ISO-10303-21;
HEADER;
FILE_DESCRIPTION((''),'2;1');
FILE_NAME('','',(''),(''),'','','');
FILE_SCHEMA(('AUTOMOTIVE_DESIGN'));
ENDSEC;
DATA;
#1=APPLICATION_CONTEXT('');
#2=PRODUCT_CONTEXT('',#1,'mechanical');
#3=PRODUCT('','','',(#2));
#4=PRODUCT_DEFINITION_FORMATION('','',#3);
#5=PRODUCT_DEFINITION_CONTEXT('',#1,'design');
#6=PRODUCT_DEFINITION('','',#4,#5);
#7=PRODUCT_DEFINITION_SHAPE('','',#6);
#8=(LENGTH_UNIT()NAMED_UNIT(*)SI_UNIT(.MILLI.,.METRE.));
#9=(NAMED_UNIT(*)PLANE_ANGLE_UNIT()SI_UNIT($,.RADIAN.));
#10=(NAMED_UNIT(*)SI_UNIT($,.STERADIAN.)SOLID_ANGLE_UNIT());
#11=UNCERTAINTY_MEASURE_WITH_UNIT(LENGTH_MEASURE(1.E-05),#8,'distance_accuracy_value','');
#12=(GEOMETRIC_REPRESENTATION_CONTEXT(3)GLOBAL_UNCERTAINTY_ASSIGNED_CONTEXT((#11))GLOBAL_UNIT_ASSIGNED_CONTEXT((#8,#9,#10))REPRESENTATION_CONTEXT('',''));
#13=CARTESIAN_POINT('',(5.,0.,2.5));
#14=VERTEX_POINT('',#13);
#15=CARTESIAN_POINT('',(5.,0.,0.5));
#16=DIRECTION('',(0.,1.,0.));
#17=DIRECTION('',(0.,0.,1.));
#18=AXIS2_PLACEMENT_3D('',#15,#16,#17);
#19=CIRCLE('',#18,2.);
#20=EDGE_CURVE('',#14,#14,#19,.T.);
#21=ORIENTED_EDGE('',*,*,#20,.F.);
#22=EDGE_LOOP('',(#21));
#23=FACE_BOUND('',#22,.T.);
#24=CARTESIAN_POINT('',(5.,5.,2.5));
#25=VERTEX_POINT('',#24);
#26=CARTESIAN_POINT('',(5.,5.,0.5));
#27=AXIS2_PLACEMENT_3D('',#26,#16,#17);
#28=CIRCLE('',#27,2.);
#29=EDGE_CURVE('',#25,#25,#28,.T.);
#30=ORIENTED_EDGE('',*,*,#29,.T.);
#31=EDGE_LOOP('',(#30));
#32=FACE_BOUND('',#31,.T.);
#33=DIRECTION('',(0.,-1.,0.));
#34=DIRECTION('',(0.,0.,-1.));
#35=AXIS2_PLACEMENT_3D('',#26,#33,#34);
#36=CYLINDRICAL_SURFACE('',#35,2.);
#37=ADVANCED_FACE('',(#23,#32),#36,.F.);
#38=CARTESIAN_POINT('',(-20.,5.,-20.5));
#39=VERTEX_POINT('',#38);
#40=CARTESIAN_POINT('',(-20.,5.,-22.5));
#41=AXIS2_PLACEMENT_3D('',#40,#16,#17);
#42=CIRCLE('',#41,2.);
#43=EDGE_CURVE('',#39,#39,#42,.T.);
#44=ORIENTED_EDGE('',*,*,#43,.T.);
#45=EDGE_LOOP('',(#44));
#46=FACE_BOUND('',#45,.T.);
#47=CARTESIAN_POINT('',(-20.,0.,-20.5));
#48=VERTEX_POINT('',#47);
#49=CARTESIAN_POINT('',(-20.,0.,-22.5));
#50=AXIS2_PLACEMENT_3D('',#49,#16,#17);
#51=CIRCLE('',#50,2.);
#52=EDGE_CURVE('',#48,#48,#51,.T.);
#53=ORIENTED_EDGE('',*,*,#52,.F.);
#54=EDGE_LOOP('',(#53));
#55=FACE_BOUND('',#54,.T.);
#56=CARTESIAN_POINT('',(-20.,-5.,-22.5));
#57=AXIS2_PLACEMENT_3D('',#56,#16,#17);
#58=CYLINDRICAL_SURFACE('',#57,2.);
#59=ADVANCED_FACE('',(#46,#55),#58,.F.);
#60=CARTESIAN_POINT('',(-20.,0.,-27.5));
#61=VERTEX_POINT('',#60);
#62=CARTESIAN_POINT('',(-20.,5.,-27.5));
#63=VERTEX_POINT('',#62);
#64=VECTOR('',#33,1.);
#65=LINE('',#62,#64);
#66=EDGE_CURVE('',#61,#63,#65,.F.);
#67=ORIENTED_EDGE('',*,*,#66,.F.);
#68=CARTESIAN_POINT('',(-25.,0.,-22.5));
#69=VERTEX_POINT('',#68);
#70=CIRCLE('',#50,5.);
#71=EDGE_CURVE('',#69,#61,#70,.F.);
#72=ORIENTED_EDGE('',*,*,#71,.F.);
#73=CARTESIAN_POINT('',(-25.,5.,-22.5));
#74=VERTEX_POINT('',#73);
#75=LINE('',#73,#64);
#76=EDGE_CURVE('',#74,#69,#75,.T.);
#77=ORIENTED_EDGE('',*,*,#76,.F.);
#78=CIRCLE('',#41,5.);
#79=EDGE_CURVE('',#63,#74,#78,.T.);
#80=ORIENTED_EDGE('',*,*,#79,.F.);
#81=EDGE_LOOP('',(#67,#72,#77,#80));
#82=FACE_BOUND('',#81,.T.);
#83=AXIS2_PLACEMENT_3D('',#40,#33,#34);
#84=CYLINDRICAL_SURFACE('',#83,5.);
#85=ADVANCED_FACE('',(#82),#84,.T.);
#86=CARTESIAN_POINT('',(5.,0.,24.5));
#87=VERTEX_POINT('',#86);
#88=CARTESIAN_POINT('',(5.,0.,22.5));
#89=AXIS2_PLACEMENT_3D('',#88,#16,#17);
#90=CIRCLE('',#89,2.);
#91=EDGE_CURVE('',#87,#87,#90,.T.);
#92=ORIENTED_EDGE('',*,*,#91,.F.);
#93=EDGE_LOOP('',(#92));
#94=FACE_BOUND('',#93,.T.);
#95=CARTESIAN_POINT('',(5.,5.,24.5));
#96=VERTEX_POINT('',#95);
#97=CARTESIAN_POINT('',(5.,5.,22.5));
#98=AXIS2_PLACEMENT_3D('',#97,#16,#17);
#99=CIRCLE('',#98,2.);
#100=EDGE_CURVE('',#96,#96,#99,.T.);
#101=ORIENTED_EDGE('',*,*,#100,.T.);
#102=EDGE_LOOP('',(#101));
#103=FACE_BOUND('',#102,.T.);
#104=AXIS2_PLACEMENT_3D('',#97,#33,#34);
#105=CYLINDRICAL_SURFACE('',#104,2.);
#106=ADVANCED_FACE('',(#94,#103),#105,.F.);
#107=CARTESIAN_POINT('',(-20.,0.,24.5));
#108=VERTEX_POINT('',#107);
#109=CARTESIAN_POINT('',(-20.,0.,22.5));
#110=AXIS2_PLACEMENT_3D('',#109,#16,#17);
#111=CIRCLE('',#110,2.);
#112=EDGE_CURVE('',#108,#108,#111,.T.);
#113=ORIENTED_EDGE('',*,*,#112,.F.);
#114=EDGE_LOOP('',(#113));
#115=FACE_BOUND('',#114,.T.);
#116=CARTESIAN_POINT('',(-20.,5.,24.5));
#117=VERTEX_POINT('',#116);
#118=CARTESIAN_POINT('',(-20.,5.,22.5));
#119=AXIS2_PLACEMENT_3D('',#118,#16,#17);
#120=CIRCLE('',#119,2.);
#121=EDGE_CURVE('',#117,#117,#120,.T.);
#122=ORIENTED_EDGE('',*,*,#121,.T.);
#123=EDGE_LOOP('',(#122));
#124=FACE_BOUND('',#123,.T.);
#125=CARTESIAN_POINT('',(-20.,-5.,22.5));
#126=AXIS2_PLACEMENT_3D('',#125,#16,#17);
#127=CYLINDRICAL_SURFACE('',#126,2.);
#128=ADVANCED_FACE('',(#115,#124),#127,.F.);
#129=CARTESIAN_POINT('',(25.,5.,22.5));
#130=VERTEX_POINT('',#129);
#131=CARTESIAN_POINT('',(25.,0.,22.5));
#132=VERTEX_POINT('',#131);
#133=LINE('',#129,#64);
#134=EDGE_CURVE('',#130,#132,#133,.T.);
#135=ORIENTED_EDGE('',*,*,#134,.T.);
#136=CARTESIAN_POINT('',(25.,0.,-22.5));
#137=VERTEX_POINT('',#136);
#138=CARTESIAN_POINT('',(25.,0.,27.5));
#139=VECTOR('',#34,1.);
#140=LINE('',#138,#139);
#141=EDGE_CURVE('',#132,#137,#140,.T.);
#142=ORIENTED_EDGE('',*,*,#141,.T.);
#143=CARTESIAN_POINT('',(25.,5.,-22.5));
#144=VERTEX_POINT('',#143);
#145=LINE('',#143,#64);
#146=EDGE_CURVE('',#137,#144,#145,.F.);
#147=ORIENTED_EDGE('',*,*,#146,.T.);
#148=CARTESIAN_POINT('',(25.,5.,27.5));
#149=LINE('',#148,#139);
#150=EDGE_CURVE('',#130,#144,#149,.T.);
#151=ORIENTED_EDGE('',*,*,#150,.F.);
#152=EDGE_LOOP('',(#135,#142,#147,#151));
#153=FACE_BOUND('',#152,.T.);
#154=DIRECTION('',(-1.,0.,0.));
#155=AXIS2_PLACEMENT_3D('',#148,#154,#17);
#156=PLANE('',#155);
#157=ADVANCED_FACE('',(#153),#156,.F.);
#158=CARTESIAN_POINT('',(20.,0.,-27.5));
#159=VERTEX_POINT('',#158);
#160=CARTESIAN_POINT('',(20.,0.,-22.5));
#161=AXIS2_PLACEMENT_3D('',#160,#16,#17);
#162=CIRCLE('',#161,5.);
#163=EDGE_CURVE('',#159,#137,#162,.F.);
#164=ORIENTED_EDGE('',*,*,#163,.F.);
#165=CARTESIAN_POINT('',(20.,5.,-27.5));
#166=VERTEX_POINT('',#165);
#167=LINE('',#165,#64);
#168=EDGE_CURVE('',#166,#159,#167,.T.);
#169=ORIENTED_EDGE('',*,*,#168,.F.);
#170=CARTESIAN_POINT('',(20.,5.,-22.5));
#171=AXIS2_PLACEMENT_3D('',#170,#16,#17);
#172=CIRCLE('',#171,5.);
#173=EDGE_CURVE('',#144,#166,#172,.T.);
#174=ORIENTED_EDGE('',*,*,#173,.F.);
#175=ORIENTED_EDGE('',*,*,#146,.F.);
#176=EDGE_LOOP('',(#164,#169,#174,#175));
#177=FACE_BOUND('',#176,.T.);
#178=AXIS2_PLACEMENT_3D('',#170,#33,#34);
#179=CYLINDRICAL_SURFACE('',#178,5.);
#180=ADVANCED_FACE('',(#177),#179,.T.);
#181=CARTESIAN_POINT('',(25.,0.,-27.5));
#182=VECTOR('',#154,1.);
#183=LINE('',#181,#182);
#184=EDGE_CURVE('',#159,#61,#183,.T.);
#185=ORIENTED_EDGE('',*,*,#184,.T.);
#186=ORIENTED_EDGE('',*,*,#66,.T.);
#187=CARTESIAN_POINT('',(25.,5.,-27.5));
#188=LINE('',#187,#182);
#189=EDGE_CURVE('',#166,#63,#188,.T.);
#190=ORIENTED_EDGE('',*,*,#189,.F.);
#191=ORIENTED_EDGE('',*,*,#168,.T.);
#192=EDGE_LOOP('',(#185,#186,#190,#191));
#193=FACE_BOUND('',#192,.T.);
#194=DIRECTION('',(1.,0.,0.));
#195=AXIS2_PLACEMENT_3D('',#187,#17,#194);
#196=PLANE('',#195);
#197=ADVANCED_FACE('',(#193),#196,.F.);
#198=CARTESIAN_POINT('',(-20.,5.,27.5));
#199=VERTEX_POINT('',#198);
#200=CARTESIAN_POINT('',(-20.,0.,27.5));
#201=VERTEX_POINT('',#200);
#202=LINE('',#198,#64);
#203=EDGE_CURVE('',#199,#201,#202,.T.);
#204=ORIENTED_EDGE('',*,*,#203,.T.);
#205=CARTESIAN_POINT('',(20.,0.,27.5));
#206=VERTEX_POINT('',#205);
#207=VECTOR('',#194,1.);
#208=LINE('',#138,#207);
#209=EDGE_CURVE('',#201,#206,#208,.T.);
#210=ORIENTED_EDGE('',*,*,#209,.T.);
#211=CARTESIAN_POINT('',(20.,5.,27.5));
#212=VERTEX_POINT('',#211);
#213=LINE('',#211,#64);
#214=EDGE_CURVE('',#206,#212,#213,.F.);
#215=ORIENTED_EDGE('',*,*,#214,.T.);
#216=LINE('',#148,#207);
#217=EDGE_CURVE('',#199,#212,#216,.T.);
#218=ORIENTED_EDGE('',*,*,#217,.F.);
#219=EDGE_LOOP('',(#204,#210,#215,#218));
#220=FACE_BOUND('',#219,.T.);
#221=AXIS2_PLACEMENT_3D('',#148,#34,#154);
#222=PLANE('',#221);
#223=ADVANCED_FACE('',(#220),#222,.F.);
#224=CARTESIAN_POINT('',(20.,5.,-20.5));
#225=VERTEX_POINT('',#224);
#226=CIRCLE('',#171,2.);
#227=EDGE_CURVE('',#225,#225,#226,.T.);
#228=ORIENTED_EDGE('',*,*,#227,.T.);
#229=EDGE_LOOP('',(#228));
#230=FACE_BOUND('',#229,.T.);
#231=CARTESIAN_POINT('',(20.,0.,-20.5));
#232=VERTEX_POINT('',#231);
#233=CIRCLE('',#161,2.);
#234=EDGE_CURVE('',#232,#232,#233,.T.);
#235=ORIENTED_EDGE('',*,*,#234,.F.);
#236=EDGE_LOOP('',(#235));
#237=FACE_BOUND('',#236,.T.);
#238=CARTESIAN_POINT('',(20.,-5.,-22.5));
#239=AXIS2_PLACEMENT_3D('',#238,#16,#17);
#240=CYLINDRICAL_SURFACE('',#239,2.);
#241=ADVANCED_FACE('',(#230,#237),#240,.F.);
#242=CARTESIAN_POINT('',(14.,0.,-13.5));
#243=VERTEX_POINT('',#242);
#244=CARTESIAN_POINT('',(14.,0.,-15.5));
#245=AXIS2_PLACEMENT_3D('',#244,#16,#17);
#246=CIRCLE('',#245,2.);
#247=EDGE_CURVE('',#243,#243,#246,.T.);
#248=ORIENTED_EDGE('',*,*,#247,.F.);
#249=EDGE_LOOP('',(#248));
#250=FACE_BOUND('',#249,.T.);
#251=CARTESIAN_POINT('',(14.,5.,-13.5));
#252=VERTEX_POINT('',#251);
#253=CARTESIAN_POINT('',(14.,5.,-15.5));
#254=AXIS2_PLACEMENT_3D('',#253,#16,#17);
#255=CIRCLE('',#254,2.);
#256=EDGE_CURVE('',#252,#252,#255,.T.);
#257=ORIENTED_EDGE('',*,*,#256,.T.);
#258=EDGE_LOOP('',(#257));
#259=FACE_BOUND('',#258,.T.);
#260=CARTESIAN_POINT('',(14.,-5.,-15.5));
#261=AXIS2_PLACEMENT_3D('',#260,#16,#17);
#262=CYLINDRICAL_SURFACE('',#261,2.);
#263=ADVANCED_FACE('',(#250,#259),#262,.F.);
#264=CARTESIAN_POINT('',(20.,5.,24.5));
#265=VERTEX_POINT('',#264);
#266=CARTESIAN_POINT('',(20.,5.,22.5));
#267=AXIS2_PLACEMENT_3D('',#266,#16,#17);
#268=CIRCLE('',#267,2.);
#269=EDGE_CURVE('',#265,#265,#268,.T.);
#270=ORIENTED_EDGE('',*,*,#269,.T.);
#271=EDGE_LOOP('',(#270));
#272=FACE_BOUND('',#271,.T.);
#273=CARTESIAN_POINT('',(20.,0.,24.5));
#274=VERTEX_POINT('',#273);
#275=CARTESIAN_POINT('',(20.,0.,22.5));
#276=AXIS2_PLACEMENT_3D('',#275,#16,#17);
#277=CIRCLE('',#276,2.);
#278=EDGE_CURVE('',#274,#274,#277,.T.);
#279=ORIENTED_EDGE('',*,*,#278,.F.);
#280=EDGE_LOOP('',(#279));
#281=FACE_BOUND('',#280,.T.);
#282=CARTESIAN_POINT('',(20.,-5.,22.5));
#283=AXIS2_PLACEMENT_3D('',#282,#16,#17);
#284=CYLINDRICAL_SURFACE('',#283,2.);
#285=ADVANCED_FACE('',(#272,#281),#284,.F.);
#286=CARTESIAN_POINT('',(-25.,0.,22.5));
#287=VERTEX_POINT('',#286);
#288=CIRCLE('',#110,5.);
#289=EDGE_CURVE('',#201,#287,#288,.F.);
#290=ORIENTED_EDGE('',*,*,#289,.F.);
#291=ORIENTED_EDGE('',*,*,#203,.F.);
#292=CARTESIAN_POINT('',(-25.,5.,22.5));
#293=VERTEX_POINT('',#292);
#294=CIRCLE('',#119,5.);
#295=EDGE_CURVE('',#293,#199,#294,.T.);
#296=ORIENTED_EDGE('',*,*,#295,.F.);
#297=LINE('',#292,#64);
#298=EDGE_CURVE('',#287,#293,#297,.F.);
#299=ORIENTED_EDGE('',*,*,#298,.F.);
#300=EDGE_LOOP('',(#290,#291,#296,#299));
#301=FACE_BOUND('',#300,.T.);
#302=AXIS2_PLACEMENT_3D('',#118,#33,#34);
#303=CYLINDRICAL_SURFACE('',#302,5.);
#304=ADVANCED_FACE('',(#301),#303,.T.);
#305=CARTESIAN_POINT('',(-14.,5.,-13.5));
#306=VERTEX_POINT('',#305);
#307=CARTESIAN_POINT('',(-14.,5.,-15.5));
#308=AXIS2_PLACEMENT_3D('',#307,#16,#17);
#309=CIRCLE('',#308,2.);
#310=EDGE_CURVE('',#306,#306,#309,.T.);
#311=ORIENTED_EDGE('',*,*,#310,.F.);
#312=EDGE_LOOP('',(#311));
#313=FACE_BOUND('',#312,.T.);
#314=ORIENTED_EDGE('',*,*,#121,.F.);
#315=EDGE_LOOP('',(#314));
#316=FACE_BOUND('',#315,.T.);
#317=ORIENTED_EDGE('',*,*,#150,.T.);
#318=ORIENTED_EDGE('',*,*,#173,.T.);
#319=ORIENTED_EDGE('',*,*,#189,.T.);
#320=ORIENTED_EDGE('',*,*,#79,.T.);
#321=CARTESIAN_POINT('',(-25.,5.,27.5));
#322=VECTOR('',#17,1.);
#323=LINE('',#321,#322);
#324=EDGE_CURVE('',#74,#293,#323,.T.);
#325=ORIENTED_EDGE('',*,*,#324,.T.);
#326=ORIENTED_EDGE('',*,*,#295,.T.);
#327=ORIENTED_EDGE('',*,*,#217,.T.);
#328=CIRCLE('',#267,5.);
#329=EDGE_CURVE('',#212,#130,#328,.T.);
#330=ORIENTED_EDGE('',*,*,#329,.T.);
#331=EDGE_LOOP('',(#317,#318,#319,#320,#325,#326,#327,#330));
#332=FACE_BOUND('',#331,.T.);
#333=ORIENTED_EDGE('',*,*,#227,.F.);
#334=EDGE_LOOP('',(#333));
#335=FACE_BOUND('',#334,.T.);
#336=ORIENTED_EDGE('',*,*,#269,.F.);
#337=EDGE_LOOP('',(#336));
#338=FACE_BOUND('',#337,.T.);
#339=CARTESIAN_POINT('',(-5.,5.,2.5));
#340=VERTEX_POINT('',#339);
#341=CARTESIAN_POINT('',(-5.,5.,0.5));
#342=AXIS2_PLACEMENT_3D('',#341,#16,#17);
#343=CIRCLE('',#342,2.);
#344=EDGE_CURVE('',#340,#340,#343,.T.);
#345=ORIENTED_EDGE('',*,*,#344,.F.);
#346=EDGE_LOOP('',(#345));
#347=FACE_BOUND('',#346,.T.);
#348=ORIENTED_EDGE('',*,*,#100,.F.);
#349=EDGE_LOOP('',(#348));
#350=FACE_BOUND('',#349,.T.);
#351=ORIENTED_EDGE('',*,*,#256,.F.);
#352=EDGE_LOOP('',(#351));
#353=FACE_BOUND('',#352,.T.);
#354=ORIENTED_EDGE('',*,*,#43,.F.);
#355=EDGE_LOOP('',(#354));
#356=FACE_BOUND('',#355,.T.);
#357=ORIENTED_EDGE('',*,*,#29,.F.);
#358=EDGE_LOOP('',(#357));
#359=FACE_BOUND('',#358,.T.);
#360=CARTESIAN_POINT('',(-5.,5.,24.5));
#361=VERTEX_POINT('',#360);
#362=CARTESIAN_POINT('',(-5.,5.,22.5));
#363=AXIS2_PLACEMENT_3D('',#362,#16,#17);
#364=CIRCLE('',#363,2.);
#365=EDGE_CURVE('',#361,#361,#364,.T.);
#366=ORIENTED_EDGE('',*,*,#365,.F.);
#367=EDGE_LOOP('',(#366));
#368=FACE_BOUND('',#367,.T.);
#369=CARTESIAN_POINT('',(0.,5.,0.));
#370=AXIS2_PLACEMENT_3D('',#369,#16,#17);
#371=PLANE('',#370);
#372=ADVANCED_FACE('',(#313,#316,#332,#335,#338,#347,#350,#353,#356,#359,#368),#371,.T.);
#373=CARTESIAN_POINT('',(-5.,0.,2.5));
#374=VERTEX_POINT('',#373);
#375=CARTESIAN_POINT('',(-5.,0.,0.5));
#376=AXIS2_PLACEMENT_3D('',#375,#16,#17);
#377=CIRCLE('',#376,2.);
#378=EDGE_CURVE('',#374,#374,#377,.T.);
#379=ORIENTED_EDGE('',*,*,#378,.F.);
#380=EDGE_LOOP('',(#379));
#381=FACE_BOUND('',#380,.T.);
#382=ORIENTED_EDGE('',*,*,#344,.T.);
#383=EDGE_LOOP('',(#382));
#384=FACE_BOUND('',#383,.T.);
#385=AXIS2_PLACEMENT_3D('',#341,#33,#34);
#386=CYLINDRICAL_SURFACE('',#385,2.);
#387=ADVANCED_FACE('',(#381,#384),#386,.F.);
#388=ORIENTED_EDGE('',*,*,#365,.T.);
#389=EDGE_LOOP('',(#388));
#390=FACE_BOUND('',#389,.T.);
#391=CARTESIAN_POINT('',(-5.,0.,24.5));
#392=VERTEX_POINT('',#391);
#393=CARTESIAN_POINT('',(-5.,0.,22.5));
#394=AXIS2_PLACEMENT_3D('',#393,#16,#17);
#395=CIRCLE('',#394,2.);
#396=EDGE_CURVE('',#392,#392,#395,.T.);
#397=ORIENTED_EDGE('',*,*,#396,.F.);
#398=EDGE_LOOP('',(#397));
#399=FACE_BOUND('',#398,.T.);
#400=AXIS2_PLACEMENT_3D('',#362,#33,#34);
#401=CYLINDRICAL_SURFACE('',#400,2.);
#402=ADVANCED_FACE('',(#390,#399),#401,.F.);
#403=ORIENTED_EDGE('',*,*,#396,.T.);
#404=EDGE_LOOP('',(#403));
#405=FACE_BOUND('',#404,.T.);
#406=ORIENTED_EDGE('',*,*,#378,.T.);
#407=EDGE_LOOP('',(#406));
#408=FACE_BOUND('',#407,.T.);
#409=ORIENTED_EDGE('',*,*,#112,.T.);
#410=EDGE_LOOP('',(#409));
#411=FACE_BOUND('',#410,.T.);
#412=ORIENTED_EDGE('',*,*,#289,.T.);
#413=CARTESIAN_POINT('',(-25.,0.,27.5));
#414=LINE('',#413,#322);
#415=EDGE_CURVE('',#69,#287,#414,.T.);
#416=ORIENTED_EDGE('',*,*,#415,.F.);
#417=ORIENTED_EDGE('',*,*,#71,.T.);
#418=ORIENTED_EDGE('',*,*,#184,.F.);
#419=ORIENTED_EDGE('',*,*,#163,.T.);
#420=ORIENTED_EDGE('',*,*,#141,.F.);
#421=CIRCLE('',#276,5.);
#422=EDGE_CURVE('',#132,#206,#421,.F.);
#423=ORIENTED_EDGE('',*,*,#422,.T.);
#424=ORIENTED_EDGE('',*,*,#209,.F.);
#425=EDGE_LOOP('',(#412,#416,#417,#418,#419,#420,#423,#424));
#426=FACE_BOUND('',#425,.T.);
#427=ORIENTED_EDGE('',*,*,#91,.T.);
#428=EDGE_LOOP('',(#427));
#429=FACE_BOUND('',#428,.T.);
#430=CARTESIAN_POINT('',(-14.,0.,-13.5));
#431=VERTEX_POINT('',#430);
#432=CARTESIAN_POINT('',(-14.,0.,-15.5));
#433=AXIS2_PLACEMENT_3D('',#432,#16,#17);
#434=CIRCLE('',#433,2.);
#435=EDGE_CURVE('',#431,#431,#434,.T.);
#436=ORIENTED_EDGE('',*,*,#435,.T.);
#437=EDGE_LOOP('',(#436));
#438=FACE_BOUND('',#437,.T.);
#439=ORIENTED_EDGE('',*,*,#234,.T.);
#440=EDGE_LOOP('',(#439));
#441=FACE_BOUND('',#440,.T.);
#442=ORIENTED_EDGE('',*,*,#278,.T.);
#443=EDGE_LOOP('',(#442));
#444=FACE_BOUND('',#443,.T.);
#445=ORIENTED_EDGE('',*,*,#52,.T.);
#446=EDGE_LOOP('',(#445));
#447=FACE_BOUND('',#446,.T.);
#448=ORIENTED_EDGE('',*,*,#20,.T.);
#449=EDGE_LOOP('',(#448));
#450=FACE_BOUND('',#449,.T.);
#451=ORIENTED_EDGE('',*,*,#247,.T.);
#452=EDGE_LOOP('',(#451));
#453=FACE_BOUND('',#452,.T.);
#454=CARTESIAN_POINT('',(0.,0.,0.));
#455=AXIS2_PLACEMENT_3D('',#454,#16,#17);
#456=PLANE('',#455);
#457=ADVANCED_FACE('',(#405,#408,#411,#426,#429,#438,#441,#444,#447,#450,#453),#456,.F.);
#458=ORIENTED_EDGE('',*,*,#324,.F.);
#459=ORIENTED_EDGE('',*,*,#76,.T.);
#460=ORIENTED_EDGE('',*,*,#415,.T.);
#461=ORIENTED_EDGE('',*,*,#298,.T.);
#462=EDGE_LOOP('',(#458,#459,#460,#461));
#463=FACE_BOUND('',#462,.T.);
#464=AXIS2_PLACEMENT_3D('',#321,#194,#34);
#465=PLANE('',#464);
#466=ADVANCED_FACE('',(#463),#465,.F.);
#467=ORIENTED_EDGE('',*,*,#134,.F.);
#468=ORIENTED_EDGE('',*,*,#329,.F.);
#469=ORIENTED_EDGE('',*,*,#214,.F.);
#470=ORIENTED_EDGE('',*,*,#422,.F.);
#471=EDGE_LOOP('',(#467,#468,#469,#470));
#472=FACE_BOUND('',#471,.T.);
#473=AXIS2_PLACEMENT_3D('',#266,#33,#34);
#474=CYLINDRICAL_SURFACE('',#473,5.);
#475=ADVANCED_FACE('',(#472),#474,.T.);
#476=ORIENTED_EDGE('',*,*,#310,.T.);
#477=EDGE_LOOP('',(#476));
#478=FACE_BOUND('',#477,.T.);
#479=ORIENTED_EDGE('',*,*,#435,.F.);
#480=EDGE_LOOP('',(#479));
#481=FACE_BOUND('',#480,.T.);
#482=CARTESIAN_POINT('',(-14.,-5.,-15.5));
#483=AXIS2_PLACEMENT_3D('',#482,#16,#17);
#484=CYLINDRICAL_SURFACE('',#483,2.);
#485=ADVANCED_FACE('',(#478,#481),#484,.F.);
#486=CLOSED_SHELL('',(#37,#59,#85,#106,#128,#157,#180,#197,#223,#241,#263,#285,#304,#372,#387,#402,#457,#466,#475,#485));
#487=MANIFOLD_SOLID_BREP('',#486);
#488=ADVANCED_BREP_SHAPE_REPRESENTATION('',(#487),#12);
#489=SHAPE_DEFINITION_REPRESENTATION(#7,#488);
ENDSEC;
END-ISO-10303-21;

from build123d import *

# Parameters (mm, degrees)
ESQUISSE1_W             = 50
ESQUISSE1_H             = 55
ESQUISSE1_R             = 2
BOSS_EXTRU_1_DEPTH      = 5
CONG_1_R                = 5
ESQUISSE2_R             = 2
ENL_V_MAT_EXTRU_1_DEPTH = 10


with BuildPart() as part:
    # Esquisse1 → Boss.-Extru.1 (new body)
    with BuildSketch(Plane(origin=(0, 0, 0), x_dir=(1, 0, 0), z_dir=(0, 1, 0))):
        Rectangle(ESQUISSE1_W, ESQUISSE1_H)
        with Locations(Location((-5, -22.5, 0), (0, 0, 270))):
            Circle(ESQUISSE1_R, mode=Mode.SUBTRACT)
        with Locations(Location((5, -22.5, 0), (0, 0, 270))):
            Circle(ESQUISSE1_R, mode=Mode.SUBTRACT)
        with Locations(Location((-5, -0.5, 0), (0, 0, 270))):
            Circle(ESQUISSE1_R, mode=Mode.SUBTRACT)
        with Locations(Location((5, -0.5, 0), (0, 0, 270))):
            Circle(ESQUISSE1_R, mode=Mode.SUBTRACT)
    extrude(amount=BOSS_EXTRU_1_DEPTH)

    # Congé1
    cong_1_edges = [part.edges().sort_by_distance(p)[0] for p in [
        (-25, 2.5, -27.5),
        (25, 2.5, -27.5),
        (25, 2.5, 27.5),
        (-25, 2.5, 27.5),
    ]]
    fillet(cong_1_edges, radius=CONG_1_R)

    # Esquisse2 → Enlèv. mat.-Extru.1 (cut)
    with BuildSketch(Plane(origin=(0, 5, 0), x_dir=(1, 0, 0), z_dir=(0, 1, 0))):
        with Locations(Location((-20, 22.5, 0), (0, 0, 270))):
            Circle(ESQUISSE2_R)
        with Locations(Location((-20, -22.5, 0), (0, 0, 270))):
            Circle(ESQUISSE2_R)
        with Locations(Location((20, -22.5, 0), (0, 0, 270))):
            Circle(ESQUISSE2_R)
        with Locations(Location((20, 22.5, 0), (0, 0, 270))):
            Circle(ESQUISSE2_R)
        with Locations(Location((-14, 15.5, 0), (0, 0, 270))):
            Circle(ESQUISSE2_R)
        with Locations(Location((14, 15.5, 0), (0, 0, 270))):
            Circle(ESQUISSE2_R)
    extrude(amount=-ENL_V_MAT_EXTRU_1_DEPTH, mode=Mode.SUBTRACT)


solid = part.part
